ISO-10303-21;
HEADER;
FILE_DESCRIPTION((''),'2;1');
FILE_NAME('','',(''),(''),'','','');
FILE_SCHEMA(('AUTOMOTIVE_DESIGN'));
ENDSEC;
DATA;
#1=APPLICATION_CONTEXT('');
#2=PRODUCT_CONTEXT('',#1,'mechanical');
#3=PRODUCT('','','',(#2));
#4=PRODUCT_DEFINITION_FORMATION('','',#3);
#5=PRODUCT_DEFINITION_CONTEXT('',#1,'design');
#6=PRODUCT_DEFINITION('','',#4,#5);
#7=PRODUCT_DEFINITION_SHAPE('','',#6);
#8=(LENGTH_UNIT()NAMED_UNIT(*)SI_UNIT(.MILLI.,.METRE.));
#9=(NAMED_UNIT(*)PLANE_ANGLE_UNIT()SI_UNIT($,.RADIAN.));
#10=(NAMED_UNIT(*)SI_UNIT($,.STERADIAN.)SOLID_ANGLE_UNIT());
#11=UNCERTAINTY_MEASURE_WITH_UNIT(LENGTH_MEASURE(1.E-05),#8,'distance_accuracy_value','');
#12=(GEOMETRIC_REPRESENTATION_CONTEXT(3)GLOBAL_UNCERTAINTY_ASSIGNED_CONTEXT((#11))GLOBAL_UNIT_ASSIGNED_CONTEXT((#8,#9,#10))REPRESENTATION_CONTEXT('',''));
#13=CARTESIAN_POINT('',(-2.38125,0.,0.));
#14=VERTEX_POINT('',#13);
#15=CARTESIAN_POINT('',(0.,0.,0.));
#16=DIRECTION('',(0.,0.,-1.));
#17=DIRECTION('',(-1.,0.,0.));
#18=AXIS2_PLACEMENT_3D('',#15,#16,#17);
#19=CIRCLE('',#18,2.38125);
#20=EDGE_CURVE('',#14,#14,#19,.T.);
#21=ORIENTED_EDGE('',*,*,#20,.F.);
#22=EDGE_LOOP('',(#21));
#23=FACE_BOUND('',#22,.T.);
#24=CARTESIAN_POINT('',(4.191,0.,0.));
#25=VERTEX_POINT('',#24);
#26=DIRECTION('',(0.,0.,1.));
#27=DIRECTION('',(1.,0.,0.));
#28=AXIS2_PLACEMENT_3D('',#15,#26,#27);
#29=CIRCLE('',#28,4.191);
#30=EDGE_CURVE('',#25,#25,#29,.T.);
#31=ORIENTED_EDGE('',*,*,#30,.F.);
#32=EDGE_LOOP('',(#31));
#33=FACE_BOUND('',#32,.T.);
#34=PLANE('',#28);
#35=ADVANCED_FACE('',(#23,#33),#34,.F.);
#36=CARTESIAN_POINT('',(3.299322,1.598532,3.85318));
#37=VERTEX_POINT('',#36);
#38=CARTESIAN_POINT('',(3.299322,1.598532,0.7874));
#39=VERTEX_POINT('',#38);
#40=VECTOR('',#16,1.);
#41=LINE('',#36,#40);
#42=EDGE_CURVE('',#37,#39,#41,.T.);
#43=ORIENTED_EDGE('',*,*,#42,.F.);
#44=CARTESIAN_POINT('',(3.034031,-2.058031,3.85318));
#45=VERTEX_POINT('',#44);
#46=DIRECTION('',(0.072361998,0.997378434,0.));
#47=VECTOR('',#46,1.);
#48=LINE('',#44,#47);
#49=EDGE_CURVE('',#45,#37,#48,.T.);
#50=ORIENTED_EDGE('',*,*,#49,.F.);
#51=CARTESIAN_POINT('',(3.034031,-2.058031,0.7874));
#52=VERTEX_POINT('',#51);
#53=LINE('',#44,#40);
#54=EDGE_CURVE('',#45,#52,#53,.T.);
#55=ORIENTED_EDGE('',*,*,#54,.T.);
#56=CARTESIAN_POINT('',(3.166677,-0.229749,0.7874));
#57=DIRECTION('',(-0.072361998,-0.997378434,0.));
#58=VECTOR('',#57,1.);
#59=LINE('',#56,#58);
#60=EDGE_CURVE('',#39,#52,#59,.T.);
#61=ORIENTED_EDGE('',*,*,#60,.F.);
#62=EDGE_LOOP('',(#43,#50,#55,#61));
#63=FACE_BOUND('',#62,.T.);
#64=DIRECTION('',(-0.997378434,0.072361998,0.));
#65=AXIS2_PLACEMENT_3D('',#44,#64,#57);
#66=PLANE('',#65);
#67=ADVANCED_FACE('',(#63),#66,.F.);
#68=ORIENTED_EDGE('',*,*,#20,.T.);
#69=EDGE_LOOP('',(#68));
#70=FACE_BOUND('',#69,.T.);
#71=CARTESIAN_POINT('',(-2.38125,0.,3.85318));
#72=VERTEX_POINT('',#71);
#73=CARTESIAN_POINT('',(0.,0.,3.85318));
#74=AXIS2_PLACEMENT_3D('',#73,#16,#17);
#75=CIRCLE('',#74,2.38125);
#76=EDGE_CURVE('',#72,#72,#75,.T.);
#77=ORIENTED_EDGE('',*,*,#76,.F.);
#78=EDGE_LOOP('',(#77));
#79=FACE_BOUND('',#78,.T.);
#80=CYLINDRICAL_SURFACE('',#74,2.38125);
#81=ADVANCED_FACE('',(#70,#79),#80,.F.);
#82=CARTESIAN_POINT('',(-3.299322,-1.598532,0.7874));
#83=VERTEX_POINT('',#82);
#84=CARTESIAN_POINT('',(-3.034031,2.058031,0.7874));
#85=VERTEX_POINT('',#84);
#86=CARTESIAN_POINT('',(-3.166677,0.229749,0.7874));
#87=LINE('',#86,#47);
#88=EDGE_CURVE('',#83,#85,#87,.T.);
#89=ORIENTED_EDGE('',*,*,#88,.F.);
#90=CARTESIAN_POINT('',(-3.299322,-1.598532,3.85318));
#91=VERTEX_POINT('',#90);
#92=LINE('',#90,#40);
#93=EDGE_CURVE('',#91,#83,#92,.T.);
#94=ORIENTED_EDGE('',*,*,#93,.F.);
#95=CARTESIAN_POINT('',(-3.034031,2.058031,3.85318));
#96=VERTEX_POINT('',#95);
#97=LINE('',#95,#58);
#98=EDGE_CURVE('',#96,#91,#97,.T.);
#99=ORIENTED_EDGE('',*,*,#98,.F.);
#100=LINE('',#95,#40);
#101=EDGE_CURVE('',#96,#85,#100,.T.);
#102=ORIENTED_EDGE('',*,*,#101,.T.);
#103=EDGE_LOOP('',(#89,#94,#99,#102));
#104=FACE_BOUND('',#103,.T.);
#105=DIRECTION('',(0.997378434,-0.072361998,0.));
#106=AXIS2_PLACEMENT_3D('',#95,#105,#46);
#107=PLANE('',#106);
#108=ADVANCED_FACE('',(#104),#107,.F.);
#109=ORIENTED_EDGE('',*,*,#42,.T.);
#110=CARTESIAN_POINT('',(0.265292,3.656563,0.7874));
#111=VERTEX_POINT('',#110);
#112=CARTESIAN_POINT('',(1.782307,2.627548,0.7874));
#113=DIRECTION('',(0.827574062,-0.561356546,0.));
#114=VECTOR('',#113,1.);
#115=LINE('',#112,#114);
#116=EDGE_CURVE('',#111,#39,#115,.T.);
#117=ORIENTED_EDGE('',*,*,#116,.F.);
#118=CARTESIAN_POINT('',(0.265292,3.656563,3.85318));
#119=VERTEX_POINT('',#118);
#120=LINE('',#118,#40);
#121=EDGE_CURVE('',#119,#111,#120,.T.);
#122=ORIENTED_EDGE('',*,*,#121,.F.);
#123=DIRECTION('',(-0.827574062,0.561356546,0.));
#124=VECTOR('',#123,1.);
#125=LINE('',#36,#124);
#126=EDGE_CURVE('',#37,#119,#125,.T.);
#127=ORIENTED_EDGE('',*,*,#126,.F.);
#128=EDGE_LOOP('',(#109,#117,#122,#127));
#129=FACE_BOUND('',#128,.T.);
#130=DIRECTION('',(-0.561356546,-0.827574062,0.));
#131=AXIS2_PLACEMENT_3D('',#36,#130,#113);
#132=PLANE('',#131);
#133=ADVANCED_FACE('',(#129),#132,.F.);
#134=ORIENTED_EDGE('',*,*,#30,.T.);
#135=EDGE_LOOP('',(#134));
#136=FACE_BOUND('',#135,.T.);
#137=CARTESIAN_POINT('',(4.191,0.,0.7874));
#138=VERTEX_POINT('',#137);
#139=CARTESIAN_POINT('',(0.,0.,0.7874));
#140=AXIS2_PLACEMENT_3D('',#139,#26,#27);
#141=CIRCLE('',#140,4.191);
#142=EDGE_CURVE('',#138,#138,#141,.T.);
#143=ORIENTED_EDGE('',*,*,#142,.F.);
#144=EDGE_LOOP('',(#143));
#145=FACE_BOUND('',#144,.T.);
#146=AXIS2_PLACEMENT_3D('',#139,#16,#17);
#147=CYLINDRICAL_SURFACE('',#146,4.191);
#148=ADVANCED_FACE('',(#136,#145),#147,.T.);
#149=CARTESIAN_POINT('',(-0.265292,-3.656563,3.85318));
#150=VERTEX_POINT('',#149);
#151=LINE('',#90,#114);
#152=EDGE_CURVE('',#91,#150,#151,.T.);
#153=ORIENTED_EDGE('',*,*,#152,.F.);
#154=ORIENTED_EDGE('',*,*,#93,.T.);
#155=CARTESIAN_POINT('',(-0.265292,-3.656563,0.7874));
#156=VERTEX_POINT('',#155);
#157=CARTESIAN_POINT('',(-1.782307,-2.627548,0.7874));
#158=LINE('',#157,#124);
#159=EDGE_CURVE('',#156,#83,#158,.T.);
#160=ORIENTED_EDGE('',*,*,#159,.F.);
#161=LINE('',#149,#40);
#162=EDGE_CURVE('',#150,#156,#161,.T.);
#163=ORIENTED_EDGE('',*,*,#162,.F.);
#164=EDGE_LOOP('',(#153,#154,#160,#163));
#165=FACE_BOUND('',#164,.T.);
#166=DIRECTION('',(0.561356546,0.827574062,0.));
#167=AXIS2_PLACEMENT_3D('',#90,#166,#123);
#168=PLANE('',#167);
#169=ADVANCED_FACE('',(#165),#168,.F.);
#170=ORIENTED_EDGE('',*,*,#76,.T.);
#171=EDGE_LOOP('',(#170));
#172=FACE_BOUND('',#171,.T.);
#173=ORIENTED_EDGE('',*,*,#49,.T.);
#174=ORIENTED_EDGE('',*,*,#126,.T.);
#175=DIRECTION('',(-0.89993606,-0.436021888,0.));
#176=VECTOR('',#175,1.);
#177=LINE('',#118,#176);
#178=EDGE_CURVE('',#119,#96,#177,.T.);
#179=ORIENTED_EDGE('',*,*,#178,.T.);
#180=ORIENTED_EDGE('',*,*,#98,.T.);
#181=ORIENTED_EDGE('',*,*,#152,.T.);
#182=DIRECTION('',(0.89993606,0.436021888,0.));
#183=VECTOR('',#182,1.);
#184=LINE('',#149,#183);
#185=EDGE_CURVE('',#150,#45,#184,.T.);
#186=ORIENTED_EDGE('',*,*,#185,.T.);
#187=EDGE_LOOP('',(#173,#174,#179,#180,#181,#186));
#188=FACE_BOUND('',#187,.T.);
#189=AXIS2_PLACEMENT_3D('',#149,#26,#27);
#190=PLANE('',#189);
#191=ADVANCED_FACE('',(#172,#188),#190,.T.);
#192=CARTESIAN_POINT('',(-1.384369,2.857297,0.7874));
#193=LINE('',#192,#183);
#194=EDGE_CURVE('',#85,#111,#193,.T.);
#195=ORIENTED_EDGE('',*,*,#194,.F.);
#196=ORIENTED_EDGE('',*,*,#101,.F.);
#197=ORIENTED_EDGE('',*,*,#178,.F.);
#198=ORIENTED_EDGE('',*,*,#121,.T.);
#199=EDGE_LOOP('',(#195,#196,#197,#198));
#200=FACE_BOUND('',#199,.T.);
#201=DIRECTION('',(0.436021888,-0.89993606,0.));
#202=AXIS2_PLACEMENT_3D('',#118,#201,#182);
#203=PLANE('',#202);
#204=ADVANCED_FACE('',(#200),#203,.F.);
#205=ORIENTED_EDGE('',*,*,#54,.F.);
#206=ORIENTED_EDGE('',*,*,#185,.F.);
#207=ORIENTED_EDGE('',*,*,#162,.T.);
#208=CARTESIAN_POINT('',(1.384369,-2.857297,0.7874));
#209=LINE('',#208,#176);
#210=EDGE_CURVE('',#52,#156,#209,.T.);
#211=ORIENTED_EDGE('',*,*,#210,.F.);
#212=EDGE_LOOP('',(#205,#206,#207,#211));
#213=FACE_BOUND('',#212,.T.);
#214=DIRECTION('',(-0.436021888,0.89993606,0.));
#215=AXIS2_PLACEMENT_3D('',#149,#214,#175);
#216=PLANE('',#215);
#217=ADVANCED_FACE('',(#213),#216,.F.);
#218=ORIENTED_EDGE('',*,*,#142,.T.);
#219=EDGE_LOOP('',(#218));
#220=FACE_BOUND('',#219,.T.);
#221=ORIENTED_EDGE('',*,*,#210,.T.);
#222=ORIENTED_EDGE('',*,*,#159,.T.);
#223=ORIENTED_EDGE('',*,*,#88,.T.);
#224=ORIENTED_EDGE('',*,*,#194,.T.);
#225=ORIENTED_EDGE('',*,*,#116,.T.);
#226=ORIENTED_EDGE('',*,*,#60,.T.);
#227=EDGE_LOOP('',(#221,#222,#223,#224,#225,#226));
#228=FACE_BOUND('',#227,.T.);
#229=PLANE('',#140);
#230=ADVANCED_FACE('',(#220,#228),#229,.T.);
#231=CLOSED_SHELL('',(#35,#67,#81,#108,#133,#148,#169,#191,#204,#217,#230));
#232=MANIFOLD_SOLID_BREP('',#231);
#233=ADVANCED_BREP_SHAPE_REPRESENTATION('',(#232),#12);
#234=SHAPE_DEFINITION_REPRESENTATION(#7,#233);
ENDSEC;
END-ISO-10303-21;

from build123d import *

# Parameters (mm, degrees)
SKETCH1_R      = 4.191
EXTRUDE1_DEPTH = 0.7874
EXTRUDE2_DEPTH = 3.85318
SKETCH3_R      = 2.38125
EXTRUDE3_DEPTH = 8.069367589


with BuildPart() as part:
    # Sketch1 → Extrude1 (new body)
    with BuildSketch(Plane.XY):
        Circle(SKETCH1_R)
    extrude(amount=EXTRUDE1_DEPTH)

    # Sketch2 → Extrude2 (add)
    with BuildSketch(Plane.XY):
        Polygon((-0.265291692, -3.656563093), (3.034030683, -2.058030891), (3.299322375, 1.598532202), (0.265291692, 3.656563093), (-3.034030683, 2.058030891), (-3.299322375, -1.598532202), align=None)
    extrude(amount=EXTRUDE2_DEPTH)

    # Sketch3 → Extrude3 (cut, through all)
    with BuildSketch(Plane(origin=(0, 0, 0), x_dir=(-1, 0, 0), z_dir=(0, 0, -1))):
        Circle(SKETCH3_R)
    extrude(amount=-EXTRUDE3_DEPTH, mode=Mode.SUBTRACT)


solid = part.part
